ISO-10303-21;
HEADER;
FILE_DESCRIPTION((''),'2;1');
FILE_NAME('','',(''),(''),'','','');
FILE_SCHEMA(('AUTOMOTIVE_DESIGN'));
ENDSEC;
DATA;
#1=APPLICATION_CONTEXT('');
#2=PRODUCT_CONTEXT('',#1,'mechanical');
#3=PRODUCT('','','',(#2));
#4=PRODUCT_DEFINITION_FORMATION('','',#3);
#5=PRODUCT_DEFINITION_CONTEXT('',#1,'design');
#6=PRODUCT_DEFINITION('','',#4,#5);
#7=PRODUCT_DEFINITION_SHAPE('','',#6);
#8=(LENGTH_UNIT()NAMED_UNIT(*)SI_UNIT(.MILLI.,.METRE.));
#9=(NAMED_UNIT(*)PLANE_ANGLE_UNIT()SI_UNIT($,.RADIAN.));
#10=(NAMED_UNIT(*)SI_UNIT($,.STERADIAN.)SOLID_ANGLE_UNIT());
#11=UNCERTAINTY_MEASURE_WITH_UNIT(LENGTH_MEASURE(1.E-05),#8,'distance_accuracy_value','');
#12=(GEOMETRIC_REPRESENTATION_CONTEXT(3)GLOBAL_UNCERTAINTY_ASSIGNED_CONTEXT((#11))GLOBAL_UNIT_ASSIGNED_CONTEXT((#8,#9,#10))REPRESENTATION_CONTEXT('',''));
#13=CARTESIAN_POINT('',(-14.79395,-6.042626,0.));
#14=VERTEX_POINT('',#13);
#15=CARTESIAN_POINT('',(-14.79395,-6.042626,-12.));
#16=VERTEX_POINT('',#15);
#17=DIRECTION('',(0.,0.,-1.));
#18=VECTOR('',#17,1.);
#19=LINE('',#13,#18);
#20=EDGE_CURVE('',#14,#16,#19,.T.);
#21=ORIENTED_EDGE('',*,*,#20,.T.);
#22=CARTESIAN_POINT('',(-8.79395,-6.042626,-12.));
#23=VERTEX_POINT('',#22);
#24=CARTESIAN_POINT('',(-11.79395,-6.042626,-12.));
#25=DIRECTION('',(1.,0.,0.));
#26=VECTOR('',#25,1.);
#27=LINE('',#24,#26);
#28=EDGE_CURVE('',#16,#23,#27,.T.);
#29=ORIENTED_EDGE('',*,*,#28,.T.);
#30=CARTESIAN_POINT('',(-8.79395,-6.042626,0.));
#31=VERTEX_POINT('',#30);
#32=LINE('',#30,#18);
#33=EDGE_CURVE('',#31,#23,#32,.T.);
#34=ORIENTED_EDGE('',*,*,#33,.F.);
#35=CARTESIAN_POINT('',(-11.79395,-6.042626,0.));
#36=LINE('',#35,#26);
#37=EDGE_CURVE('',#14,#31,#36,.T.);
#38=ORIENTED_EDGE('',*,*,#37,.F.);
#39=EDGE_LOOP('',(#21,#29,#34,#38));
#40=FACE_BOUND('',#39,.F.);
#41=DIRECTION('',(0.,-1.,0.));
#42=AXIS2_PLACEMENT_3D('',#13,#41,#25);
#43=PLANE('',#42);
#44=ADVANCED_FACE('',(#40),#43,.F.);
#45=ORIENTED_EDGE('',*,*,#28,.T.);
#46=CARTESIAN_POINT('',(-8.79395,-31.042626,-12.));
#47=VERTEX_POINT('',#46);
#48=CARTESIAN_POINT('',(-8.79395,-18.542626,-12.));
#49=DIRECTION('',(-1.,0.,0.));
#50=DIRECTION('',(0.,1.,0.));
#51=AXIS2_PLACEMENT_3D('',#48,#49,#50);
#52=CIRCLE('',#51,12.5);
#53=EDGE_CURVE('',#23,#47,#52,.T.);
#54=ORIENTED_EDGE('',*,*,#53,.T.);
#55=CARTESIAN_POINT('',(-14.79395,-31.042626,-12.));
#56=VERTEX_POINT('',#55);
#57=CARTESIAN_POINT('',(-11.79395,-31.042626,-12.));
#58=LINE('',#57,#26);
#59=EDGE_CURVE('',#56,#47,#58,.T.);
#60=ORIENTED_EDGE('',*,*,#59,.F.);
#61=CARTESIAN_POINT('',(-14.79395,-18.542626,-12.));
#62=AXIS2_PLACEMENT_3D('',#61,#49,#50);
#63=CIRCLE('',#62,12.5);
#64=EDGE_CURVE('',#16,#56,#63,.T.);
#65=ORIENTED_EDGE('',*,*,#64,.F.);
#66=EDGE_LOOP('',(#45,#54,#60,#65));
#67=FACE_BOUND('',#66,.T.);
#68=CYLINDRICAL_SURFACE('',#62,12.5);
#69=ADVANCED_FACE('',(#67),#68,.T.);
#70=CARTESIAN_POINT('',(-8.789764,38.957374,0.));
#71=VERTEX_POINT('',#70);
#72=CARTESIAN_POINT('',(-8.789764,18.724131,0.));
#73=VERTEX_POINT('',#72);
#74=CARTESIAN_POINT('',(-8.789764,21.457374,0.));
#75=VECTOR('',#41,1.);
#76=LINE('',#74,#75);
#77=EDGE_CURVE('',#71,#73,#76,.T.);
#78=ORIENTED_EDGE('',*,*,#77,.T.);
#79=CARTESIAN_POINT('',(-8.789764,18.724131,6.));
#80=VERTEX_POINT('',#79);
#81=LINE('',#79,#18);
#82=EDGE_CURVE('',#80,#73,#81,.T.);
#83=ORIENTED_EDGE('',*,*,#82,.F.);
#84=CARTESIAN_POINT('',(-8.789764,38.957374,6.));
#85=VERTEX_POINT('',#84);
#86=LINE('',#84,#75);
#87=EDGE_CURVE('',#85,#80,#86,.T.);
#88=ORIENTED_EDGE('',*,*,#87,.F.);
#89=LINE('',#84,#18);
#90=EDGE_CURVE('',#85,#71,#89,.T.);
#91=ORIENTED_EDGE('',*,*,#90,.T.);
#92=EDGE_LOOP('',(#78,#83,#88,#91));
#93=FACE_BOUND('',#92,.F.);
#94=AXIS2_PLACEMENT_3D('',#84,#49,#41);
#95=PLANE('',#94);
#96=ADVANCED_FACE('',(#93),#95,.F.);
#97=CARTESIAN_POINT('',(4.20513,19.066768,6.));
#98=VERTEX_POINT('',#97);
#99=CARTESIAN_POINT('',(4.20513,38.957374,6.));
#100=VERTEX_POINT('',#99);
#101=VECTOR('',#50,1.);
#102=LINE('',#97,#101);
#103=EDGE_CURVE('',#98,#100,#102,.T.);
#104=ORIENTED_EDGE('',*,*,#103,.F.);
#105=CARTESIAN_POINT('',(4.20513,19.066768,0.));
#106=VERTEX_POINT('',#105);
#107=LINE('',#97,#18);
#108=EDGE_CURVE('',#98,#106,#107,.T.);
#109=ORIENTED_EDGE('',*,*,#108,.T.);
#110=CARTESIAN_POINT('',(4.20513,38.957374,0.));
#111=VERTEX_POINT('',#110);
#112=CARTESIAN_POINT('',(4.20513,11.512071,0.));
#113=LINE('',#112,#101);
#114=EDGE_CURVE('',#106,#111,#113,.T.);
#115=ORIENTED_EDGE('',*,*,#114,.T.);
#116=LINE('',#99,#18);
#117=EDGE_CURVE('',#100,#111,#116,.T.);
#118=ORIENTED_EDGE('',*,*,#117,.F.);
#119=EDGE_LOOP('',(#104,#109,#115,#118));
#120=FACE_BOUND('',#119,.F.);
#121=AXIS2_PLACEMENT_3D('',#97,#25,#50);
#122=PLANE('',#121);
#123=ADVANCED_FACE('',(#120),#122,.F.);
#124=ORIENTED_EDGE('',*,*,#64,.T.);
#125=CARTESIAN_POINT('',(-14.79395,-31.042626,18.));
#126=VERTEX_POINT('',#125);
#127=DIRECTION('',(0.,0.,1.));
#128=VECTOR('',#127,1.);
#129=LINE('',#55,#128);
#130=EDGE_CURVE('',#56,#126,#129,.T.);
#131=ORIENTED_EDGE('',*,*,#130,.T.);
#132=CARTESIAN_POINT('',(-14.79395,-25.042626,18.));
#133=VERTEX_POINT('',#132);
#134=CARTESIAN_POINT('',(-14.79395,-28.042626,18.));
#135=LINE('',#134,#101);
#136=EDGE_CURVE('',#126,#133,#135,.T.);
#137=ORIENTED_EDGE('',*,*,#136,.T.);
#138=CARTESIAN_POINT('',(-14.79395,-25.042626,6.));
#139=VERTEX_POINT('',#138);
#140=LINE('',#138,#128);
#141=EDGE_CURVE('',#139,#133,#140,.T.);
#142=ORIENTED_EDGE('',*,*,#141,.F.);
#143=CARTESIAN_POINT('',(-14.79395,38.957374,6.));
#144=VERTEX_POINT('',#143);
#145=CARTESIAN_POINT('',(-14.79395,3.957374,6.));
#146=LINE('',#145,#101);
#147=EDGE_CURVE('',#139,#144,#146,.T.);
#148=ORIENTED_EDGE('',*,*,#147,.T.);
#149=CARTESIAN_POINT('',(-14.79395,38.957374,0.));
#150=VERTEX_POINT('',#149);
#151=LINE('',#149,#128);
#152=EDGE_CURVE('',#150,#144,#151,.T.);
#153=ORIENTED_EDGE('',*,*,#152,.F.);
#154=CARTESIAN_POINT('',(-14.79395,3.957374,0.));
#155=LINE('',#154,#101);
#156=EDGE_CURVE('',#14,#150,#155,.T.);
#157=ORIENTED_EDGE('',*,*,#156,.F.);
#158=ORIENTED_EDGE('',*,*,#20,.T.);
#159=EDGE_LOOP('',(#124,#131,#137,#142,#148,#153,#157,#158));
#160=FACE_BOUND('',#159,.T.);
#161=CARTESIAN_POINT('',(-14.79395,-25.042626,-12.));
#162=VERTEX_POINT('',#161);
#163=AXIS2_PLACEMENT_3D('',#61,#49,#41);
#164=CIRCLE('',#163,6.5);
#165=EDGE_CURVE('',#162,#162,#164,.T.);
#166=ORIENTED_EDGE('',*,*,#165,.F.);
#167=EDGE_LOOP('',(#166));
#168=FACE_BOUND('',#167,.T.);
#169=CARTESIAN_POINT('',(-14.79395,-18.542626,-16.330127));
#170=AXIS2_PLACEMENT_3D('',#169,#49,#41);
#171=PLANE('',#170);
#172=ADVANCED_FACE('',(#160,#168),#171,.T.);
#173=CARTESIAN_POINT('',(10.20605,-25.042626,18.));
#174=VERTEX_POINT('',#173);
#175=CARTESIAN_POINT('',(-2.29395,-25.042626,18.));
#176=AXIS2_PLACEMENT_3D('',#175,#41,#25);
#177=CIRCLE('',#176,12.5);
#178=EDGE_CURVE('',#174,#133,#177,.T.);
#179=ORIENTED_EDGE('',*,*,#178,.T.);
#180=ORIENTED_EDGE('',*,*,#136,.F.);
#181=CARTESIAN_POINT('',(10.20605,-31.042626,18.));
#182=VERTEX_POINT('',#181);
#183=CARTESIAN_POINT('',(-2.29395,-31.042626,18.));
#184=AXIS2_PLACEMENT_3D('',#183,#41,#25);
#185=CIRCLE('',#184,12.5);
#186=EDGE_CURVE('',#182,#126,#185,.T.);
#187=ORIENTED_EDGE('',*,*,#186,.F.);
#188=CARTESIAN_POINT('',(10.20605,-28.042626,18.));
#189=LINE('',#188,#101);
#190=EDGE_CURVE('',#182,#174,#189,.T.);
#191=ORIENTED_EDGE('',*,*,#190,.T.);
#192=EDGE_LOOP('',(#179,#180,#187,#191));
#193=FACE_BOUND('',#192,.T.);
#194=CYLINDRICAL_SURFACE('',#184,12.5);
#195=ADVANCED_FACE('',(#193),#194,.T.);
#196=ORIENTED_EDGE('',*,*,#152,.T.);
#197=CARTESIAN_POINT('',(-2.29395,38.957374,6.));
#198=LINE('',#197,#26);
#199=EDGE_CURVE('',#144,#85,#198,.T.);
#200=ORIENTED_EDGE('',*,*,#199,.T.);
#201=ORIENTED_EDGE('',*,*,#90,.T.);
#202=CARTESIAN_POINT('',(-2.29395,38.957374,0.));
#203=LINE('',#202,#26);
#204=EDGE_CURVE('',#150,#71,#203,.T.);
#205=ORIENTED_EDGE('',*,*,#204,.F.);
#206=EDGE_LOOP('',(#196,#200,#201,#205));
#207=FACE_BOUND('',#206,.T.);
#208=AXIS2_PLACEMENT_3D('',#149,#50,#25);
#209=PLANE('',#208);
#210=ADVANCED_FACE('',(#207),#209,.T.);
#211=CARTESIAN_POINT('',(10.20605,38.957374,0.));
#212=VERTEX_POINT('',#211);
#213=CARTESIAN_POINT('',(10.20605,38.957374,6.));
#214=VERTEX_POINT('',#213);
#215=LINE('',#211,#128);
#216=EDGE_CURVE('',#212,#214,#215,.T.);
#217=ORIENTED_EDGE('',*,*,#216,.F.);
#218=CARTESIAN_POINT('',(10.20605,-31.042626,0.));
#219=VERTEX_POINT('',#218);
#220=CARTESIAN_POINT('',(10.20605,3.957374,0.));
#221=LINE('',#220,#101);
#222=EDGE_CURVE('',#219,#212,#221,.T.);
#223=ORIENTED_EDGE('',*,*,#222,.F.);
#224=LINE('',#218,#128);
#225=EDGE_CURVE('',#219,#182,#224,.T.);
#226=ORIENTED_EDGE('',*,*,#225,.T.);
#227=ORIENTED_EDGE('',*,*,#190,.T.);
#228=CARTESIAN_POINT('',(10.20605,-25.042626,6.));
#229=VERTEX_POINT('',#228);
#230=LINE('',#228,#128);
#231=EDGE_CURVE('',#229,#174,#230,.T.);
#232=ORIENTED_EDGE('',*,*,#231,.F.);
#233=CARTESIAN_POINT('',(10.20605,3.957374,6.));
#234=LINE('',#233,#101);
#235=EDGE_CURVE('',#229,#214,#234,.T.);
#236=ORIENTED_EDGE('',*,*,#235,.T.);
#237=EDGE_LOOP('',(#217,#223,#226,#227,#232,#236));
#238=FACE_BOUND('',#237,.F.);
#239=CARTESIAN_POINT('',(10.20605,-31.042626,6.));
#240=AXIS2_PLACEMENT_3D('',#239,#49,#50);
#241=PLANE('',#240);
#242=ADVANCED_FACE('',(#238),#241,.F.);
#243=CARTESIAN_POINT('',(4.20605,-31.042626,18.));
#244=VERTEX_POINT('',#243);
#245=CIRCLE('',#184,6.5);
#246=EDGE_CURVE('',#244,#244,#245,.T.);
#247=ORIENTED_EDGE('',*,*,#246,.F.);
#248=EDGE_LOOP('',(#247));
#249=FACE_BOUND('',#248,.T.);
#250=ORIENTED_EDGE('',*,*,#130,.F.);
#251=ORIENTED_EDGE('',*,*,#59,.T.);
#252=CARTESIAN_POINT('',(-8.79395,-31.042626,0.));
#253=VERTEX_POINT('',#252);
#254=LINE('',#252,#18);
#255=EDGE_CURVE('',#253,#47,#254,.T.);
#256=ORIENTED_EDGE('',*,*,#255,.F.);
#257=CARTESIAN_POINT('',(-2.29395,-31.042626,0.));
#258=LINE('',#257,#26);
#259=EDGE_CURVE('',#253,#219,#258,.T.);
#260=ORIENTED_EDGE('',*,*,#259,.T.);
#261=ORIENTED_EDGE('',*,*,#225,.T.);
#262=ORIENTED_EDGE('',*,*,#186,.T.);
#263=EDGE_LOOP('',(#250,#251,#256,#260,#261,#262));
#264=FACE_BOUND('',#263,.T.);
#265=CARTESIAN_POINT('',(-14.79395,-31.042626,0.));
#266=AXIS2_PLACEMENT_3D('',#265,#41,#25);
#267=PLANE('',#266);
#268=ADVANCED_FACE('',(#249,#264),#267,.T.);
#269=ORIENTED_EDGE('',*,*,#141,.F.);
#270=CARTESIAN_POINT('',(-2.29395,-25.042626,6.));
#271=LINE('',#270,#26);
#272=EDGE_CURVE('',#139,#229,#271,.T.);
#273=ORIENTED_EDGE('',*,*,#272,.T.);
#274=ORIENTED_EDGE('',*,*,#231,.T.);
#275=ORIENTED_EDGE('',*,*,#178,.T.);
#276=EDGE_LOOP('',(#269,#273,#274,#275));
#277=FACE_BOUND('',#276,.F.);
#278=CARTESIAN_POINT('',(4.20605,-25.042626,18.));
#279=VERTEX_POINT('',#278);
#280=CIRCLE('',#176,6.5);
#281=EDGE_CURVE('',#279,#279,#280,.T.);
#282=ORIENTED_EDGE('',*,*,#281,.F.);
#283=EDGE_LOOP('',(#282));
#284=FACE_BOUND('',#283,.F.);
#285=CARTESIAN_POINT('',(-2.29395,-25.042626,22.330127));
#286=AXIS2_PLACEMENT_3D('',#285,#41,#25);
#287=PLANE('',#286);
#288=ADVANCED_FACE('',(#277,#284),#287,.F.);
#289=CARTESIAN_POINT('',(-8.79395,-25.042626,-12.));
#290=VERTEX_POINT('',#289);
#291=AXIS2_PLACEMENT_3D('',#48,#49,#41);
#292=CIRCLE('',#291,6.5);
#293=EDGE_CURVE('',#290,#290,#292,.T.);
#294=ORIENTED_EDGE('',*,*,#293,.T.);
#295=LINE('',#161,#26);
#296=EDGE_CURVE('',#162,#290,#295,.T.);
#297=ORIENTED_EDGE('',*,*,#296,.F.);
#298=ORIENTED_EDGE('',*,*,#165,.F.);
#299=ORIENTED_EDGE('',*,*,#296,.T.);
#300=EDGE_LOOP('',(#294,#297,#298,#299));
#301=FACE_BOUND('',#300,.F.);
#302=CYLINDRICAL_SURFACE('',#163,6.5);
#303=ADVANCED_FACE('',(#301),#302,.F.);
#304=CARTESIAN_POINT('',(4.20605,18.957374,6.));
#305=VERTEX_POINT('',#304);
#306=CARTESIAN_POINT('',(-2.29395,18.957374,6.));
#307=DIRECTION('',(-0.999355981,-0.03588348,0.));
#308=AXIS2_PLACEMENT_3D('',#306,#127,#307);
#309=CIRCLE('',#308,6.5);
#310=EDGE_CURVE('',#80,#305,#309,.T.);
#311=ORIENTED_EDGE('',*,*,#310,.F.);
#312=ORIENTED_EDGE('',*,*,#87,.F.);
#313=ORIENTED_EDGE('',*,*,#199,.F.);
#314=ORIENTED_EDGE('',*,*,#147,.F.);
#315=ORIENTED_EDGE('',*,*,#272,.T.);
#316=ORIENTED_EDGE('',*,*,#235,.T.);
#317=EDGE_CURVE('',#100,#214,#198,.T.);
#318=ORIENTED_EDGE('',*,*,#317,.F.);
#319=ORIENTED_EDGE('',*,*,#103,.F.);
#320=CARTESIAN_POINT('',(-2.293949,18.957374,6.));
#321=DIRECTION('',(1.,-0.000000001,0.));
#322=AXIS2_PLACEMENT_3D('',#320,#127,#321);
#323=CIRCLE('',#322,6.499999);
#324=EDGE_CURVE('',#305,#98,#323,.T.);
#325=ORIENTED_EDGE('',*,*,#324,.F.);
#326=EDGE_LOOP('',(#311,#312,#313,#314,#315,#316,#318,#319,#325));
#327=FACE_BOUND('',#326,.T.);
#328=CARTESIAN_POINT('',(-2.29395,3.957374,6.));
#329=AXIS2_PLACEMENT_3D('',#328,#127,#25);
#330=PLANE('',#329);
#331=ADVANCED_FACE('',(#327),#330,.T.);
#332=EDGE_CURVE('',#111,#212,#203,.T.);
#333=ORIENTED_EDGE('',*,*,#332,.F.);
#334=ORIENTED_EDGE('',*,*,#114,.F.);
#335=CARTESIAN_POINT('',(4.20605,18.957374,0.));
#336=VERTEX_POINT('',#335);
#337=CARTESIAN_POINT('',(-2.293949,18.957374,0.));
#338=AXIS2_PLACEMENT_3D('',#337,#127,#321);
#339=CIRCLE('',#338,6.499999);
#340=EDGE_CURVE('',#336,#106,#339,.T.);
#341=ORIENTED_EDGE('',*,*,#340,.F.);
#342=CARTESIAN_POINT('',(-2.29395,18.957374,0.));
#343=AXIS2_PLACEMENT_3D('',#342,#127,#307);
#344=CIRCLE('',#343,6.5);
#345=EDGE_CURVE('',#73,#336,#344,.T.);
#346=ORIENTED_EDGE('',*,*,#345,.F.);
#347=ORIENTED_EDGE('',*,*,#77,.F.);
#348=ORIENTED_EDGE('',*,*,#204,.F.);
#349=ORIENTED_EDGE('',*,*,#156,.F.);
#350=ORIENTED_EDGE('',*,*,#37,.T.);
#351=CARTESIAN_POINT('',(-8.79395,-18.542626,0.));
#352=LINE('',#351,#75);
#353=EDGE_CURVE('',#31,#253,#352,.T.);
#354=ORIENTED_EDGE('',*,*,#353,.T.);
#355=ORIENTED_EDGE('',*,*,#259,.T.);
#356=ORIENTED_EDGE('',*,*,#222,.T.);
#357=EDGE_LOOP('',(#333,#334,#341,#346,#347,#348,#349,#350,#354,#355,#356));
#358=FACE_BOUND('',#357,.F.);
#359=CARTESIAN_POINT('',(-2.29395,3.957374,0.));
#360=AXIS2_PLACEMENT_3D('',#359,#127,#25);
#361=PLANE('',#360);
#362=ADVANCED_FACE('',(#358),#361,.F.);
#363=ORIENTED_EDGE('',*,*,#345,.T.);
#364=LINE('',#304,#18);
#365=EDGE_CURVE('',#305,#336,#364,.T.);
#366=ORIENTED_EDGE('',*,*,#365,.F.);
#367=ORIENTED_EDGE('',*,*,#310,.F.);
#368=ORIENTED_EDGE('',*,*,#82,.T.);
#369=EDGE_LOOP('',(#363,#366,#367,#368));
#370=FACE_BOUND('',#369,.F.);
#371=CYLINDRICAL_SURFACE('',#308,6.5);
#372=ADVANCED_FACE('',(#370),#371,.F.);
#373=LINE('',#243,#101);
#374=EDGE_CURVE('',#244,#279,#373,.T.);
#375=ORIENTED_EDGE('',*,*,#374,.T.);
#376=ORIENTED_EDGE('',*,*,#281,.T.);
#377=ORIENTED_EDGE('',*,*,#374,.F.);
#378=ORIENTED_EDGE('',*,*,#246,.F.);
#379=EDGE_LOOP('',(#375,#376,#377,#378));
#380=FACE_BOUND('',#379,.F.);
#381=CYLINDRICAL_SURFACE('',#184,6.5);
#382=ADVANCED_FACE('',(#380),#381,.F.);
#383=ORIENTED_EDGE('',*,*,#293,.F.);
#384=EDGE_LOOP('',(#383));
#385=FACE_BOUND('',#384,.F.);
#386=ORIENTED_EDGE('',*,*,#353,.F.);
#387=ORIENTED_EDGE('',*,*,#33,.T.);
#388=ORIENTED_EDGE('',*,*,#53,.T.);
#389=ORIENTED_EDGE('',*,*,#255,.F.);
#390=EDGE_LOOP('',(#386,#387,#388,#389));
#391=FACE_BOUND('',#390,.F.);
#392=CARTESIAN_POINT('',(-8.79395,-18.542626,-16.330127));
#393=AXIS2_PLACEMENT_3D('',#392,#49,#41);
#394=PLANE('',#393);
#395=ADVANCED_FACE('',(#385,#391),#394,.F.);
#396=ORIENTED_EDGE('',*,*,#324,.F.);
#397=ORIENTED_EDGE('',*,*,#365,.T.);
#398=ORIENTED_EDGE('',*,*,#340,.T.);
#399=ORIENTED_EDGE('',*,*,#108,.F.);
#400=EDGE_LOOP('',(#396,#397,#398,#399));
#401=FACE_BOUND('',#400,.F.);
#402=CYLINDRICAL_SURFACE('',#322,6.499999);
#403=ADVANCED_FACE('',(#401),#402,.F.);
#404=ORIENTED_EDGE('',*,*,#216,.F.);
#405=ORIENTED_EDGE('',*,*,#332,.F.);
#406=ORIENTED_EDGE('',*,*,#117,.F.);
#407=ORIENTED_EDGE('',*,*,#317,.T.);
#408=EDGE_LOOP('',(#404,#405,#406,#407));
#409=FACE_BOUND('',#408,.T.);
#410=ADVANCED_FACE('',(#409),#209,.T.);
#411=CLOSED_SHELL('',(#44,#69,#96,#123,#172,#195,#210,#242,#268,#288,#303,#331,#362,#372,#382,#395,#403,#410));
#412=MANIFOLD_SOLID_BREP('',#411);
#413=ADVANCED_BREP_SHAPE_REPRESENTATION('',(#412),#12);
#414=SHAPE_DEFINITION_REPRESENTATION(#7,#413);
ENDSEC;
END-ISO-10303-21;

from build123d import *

# Parameters (mm, degrees)
F0_W      = 25
F0_H      = 70
F1_DEPTH  = 6
F2_W      = 25
F2_H      = 6
F3_DEPTH  = 12
F5_DEPTH  = 6
F6_R      = 6.5
F7_DEPTH  = 25
F9_DEPTH  = 25
F10_W     = 6
F10_H     = 25
F11_DEPTH = 12
F13_DEPTH = 6
F14_R     = 6.5
F15_DEPTH = 25


with BuildPart() as f1:
    # F0 (on Top) → F1 (new body)
    with BuildSketch(Plane.XY):
        with Locations((-2.293949775, 3.9573735297)):
            Rectangle(F0_W, F0_H)
    extrude(amount=F1_DEPTH)

    # F2 (on face) → F3 (join)
    with BuildSketch(Plane.XY.offset(6)):
        with Locations((-2.293949775, -28.0426264703)):
            Rectangle(F2_W, F2_H)
    extrude(amount=F3_DEPTH)

    # F4 (on face) → F5 (join)
    with BuildSketch(Plane.XZ.offset(31.0426264703)):
        with BuildLine():
            Line((-14.793949775, 18), (10.206050225, 18))
            ThreePointArc((10.206050225, 18), (-2.293949775, 30.5), (-14.793949775, 18))
        make_face()
    extrude(amount=-F5_DEPTH)

    # F6 (on face) → F7 (cut)
    with BuildSketch(Plane.XZ.offset(31.0426264703)):
        with Locations((-2.293949775, 18)):
            Circle(F6_R)
    extrude(amount=-F7_DEPTH, mode=Mode.SUBTRACT)

    # F8 (on face) → F9 (cut)
    with BuildSketch(Plane.XY.offset(6)):
        with BuildLine():
            ThreePointArc((-8.7897636486, 18.7241309105), (-2.1773096843, 12.4584201455), (4.206050225, 18.9573735297))
            ThreePointArc((4.206050225, 18.9573735297), (4.2058200655, 19.0120728966), (4.2051296032, 19.0667683897))
            ThreePointArc((4.2051296032, 19.0667683897), (-2.2320043737, 25.4570783512), (-8.7897636486, 19.1906161489))
            Line((-8.7897636486, 19.1906161489), (-8.7897636486, 18.7241309105))
        make_face()
        with BuildLine():
            ThreePointArc((-8.7897636486, 19.1906161489), (-2.2320043737, 25.4570783512), (4.2051296032, 19.0667683897))
            Line((4.2051296032, 19.0667683897), (4.2051296032, 38.9573735297))
            Line((4.2051296032, 38.9573735297), (-8.7897636486, 38.9573735297))
            Line((-8.7897636486, 38.9573735297), (-8.7897636486, 19.1906161489))
        make_face()
    extrude(amount=-F9_DEPTH, mode=Mode.SUBTRACT)

    # F10 (on face) → F11 (join)
    with BuildSketch(Plane(origin=(0, 0, 0), x_dir=(1, 0, 0), z_dir=(0, 0, -1))):
        with Locations((-11.793949775, 18.5426264703)):
            Rectangle(F10_W, F10_H)
    extrude(amount=F11_DEPTH)

    # F12 (on face) → F13 (join)
    with BuildSketch(Plane(origin=(-14.793949775, 0, 0), x_dir=(0, -1, 0), z_dir=(-1, 0, 0))):
        with BuildLine():
            ThreePointArc((6.0426264703, -12), (18.5426264703, -24.5), (31.0426264703, -12))
            Line((31.0426264703, -12), (6.0426264703, -12))
        make_face()
    extrude(amount=-F13_DEPTH)

    # F14 (on face) → F15 (cut)
    with BuildSketch(Plane(origin=(-14.793949775, 0, 0), x_dir=(0, -1, 0), z_dir=(-1, 0, 0))):
        with Locations((18.5426264703, -12)):
            Circle(F14_R)
    extrude(amount=-F15_DEPTH, mode=Mode.SUBTRACT)


solid = f1.part
